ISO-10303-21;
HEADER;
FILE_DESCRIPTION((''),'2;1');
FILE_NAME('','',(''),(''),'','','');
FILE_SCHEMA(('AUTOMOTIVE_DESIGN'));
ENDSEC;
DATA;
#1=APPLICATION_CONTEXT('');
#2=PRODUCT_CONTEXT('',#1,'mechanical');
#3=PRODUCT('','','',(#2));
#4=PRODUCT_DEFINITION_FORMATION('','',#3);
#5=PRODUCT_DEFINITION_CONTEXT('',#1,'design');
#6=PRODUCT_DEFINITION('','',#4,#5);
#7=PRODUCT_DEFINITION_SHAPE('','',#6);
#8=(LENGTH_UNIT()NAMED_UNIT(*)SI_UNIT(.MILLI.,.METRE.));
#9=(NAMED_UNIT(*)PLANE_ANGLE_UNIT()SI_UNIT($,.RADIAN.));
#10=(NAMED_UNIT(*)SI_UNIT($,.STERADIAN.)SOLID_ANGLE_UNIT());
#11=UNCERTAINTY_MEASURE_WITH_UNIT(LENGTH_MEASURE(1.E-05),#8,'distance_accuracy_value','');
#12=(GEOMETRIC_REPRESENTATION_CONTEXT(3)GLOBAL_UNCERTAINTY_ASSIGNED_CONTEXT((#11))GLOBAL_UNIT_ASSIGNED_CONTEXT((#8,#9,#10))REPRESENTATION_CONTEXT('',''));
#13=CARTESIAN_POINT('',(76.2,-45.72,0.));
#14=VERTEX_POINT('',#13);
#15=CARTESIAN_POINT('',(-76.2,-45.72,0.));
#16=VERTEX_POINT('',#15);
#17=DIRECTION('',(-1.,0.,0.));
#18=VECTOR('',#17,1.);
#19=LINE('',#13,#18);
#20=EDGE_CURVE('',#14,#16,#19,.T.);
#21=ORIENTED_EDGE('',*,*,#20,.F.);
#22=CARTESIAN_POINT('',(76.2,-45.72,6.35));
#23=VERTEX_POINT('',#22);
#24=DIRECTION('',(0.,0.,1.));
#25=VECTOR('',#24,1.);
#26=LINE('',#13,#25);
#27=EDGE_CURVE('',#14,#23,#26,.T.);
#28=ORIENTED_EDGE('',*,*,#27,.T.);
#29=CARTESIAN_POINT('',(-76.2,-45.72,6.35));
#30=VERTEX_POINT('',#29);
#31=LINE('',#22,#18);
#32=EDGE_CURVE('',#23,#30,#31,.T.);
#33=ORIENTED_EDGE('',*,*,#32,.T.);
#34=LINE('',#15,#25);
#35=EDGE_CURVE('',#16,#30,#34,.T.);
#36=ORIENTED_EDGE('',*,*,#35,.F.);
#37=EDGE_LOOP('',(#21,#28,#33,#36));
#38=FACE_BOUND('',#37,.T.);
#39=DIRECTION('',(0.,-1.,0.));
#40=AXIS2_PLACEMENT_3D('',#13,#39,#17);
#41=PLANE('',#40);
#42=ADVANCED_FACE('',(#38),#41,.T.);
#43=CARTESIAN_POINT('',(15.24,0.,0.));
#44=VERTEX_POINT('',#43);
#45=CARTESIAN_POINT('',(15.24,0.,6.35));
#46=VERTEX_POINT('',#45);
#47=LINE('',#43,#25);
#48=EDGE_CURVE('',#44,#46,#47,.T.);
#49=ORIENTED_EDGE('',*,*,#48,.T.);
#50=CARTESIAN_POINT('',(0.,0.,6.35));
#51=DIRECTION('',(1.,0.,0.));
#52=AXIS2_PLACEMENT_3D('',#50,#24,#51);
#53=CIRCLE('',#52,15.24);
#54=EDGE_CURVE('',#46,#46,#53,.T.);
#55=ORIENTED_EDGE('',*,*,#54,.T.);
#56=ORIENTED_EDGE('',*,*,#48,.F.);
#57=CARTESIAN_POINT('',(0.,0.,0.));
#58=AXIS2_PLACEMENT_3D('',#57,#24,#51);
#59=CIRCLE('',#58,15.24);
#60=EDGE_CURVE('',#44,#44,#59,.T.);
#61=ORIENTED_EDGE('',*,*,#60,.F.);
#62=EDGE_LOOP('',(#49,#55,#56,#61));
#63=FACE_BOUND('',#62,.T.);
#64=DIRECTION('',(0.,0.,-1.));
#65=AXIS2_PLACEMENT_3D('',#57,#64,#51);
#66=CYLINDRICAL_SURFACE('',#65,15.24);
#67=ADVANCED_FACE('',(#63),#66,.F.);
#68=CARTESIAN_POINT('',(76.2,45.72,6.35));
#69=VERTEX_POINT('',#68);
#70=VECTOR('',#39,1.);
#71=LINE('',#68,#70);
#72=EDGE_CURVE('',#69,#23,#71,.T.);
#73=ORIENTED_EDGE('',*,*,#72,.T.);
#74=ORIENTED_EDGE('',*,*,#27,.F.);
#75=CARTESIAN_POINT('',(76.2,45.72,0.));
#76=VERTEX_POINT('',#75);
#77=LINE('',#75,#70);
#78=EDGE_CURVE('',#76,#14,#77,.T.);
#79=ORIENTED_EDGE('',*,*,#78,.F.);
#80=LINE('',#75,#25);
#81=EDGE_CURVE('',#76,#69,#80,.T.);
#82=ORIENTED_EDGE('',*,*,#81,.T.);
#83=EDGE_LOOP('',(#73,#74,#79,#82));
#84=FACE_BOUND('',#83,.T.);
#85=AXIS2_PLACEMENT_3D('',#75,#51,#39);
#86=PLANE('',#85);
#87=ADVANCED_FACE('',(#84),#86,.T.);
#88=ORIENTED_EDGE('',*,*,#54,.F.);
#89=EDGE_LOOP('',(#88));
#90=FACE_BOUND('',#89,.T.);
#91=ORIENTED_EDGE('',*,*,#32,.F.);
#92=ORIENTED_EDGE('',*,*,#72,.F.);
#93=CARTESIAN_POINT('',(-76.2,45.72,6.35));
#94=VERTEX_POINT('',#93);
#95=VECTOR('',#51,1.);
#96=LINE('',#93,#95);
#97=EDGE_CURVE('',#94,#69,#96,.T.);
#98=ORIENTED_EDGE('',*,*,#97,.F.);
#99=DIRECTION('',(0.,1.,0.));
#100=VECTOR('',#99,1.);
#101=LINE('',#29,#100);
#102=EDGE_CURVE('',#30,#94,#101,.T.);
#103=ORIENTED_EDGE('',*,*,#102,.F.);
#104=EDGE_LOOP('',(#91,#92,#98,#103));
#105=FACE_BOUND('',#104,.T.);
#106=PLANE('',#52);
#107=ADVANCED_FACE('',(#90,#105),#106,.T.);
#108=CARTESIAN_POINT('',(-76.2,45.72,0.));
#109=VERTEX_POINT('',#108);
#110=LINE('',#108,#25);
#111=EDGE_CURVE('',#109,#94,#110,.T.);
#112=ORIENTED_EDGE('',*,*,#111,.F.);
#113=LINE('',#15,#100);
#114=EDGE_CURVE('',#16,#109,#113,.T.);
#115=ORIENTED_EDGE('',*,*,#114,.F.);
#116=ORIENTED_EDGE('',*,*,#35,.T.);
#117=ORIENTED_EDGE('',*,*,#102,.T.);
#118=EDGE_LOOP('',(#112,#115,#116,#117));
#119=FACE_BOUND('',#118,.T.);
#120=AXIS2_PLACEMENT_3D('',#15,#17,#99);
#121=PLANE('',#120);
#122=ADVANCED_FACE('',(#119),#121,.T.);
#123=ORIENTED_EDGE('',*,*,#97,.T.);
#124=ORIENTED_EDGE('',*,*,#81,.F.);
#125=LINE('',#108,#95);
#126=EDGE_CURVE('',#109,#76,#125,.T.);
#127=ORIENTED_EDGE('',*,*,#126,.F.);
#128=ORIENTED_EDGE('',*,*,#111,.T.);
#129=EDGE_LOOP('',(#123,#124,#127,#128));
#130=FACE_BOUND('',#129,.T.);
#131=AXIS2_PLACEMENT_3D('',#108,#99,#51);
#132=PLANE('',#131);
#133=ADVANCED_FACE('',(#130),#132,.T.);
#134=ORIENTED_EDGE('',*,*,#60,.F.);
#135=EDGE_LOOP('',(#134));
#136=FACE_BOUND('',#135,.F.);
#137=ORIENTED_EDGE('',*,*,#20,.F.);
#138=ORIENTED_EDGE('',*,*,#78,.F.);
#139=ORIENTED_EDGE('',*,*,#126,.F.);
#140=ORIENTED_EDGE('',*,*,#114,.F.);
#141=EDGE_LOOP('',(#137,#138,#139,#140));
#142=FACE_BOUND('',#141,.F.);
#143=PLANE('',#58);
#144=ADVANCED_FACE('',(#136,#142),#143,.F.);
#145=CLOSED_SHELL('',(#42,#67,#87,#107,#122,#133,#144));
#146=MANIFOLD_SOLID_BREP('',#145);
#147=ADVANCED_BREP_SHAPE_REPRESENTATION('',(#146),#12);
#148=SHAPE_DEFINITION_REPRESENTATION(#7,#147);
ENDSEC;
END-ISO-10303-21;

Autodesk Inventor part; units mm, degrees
ref_plane "YZ Plane" through (0, 0, 0) normal (1, 0, 0) x (0, 1, 0)
ref_plane "XZ Plane" through (0, 0, 0) normal (0, 1, 0) x (-1, 0, 0)
ref_plane "XY Plane" through (0, 0, 0) normal (0, 0, 1) x (1, 0, 0)
sketch "Sketch1" plane through (0, 0, 0) normal (0, 0, 1) x (1, 0, 0)
  line L0 (-76.2, 45.72) -> (76.2, 45.72)
  line L1 (76.2, 45.72) -> (76.2, -45.72)
  line L2 (76.2, -45.72) -> (-76.2, -45.72)
  line L3 (-76.2, -45.72) -> (-76.2, 45.72)
  circle A0 centre (0, 0) radius 15.24
  dimension "d0" = 152.4
  dimension "d1" = 91.44
  dimension "d2" = 76.2
  dimension "d3" = 45.72
  dimension "d4" = 30.48
extrude "Extrusion1" add sketch "Sketch1" along normal blind 6.35
equation "\"d2\" = 0.5 * d0"
equation "\"d3\" = 0.5 * d1"
equation "\"d4\" = 0.333333 * d1"
properties part number "rectangle"
